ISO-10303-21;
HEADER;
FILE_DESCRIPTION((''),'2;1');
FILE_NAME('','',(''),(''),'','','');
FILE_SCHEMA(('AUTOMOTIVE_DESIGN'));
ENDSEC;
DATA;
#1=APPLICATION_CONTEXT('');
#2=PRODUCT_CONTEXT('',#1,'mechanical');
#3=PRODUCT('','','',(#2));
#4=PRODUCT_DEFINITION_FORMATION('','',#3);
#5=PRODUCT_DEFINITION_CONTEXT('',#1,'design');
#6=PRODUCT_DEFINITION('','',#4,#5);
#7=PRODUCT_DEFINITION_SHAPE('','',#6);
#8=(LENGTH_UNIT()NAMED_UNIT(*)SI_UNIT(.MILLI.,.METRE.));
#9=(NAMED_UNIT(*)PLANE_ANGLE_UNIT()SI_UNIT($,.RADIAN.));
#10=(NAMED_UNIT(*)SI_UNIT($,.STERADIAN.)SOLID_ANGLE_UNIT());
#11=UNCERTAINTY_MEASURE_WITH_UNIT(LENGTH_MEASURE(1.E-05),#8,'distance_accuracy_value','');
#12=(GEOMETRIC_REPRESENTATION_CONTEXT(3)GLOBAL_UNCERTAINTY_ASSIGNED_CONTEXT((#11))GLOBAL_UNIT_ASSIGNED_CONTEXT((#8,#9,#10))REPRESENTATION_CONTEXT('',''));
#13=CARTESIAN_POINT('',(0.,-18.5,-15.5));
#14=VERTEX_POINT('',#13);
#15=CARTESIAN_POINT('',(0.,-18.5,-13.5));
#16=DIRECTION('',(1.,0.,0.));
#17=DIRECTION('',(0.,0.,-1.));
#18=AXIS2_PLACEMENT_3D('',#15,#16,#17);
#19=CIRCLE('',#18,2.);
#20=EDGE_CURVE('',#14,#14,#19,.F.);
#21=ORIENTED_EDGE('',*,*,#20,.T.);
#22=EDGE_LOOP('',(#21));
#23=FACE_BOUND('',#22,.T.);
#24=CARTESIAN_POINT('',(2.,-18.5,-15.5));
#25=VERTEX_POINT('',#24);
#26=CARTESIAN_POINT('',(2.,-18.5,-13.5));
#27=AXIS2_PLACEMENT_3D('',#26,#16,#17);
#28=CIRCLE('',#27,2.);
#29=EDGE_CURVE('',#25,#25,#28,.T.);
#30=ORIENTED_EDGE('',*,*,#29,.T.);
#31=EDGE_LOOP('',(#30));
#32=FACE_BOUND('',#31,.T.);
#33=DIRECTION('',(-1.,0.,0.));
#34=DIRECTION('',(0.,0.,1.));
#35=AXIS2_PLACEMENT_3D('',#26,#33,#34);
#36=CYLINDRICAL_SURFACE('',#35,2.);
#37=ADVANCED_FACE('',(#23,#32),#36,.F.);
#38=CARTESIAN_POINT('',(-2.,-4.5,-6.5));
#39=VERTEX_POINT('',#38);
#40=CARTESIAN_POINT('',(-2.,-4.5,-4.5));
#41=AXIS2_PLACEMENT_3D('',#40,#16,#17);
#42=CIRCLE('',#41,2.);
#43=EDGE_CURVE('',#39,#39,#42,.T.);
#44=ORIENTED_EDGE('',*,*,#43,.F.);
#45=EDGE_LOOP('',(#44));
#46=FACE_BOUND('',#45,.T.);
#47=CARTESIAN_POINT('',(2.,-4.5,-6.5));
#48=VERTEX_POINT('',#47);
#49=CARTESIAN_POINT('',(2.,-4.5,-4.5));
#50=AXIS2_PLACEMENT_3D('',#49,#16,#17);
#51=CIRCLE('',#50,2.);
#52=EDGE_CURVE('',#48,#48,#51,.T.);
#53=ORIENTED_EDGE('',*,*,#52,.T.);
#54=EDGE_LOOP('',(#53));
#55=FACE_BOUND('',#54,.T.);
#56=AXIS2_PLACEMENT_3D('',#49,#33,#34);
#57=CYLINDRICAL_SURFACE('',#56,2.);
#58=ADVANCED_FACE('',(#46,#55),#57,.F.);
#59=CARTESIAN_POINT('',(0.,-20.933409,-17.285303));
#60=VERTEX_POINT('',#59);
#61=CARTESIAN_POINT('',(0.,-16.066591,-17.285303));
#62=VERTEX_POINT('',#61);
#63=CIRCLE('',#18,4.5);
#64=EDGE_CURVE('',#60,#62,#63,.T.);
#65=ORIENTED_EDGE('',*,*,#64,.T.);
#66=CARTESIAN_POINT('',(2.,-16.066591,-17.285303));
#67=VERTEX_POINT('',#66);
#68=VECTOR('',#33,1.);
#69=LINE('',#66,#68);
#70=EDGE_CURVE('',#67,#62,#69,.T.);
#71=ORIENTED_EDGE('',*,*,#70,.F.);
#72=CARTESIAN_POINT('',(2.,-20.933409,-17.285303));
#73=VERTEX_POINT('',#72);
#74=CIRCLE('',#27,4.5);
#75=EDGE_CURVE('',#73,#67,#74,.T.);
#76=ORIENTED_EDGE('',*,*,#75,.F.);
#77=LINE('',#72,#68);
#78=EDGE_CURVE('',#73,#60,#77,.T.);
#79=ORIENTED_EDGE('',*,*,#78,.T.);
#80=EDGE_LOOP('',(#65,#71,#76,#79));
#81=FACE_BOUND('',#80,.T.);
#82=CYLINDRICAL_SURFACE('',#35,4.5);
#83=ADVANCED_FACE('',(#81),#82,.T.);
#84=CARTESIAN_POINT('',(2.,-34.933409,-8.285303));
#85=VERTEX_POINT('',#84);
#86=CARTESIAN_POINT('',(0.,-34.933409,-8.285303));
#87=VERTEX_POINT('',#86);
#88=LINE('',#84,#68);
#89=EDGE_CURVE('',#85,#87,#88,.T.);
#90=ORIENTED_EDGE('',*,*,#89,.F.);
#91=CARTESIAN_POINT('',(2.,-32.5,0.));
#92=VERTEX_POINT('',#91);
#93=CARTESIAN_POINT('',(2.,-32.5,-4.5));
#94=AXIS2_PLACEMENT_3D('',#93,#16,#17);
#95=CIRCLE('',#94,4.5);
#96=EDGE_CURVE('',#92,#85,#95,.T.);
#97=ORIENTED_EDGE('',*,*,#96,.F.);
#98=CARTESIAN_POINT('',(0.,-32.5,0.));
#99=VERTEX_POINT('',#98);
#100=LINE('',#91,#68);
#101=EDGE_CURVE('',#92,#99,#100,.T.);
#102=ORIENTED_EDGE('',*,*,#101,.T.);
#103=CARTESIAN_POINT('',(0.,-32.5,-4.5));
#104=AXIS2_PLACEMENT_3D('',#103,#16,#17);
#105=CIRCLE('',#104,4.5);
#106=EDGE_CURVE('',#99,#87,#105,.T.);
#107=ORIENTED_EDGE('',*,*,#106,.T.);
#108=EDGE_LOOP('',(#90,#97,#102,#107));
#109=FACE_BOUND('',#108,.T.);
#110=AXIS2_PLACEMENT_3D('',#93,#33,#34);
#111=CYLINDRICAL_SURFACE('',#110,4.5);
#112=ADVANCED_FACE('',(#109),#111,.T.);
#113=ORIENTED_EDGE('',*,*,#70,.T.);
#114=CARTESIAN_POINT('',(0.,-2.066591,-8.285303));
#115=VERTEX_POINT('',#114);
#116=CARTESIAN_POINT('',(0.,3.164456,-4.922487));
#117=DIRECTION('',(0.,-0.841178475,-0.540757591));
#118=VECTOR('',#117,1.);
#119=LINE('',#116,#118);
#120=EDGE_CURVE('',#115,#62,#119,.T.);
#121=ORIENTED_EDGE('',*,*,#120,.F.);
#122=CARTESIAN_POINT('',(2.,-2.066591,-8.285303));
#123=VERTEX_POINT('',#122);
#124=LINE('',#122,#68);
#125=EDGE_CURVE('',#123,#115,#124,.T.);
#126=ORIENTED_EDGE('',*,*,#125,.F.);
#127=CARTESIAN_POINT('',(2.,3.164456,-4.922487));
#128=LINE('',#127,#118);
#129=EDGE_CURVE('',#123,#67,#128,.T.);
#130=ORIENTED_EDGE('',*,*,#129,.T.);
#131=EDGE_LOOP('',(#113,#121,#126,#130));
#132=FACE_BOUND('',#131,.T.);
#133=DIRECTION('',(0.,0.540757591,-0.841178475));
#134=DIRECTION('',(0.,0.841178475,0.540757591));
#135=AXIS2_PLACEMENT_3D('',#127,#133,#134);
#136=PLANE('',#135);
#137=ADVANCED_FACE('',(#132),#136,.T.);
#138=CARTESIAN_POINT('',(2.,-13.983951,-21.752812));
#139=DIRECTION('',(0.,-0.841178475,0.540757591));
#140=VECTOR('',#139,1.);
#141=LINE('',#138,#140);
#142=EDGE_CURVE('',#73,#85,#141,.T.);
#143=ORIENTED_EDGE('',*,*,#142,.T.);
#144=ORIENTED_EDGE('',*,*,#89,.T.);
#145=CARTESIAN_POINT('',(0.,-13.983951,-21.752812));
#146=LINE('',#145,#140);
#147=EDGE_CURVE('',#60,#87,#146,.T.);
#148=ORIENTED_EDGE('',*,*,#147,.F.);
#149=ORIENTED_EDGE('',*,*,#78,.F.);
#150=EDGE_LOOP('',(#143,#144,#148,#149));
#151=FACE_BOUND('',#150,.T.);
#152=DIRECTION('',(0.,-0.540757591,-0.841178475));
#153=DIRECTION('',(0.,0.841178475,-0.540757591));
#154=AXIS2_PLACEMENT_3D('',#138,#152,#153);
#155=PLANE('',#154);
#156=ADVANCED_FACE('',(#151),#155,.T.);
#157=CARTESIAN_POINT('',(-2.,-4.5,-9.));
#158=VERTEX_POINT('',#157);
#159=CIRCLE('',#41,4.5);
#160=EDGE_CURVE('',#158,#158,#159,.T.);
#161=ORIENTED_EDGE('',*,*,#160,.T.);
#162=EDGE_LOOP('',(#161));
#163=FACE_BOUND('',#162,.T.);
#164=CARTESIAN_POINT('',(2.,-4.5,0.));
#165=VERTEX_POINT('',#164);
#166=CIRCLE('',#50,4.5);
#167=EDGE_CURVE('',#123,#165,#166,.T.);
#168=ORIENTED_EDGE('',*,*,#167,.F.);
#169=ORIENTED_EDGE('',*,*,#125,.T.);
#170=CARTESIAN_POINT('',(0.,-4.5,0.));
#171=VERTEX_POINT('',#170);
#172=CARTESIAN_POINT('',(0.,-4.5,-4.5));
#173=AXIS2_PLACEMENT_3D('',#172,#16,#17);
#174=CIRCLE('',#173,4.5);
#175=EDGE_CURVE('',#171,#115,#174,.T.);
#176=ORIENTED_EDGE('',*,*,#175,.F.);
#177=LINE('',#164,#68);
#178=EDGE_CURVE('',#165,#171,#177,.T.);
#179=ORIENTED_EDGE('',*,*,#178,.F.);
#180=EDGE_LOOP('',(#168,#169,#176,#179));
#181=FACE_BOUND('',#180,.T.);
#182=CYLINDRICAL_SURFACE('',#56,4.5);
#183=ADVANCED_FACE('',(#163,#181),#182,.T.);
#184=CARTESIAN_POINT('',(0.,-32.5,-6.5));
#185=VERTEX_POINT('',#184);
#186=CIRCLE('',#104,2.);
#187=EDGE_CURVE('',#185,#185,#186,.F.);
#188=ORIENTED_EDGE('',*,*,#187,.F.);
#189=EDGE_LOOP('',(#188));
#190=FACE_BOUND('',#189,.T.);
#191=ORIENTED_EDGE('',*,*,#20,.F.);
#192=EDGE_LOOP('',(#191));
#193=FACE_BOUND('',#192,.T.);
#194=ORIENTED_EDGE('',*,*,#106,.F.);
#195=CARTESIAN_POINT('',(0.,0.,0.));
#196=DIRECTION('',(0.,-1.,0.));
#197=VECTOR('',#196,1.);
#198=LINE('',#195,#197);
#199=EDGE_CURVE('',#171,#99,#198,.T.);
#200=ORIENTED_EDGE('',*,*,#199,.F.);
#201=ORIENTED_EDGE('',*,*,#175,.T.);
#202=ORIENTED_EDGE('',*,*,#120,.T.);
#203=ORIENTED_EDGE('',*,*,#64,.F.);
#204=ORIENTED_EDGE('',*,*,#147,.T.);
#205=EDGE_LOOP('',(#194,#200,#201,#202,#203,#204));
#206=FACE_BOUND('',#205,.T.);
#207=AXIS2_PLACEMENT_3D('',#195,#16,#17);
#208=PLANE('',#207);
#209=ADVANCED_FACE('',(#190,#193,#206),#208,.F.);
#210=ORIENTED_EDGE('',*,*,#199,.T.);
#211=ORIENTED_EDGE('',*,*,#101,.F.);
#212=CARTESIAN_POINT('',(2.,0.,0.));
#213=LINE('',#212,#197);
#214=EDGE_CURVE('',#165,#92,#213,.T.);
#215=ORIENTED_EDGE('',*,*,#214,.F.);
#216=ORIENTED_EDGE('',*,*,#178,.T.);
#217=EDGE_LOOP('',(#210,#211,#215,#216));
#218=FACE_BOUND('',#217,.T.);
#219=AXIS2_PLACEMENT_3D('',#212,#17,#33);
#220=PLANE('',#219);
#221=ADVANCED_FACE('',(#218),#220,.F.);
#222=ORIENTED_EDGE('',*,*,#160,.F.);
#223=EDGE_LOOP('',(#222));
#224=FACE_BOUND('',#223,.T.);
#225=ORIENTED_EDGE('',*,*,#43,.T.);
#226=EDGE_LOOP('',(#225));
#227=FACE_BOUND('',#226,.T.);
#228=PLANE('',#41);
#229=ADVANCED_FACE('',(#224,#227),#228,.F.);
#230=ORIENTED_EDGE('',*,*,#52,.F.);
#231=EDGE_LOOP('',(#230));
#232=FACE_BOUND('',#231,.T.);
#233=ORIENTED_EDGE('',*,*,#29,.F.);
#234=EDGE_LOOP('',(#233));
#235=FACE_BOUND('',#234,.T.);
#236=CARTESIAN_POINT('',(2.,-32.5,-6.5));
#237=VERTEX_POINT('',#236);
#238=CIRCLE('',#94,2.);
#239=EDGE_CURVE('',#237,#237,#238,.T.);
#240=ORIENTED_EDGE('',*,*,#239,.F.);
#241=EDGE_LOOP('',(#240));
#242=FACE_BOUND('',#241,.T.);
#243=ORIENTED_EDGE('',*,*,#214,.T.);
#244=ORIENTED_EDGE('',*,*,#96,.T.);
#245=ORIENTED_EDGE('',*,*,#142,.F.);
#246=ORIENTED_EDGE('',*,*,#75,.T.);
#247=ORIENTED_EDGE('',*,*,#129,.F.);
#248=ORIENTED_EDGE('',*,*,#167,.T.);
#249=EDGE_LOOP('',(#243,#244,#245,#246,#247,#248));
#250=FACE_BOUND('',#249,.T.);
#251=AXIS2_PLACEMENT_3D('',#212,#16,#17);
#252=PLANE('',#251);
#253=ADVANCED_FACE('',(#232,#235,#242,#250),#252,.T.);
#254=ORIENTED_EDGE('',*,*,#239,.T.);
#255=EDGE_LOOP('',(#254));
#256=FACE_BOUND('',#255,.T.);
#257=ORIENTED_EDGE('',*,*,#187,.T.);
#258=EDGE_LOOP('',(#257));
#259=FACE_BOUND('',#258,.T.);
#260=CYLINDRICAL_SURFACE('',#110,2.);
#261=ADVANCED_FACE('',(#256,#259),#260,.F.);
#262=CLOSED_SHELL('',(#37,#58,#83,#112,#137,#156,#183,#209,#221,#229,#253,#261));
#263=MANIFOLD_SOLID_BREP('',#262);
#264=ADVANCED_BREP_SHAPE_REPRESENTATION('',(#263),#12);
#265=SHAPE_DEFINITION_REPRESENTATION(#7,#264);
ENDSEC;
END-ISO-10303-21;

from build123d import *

# Parameters (mm, degrees)
EXTRUDE_1_DEPTH          = 2
EXTRUDE_START            = -2
SKETCH_1_4_R             = 4.5
EXTRUDE_2_DEPTH          = 2
CUT_EXTRUDE_1_DEPTH      = 42.194659848
CUT_EXTRUDE_1_DEPTH_BACK = 42.194659848
SKETCH_1_3_R             = 2


with BuildPart() as part:
    # 草图1 → 凸台-拉伸1 (new body)
    with BuildSketch(Plane(origin=(0, 0, 0), x_dir=(0, 0, -1), z_dir=(1, 0, 0))):
        with BuildLine():
            Line((17.285303139, -16.066590839), (8.285303139, -2.066590839))
            ThreePointArc((8.285303139, -2.066590839), (3.231903814, -0.182369624), (0, -4.5))
            Line((0, -4.5), (0, -32.499999989))
            ThreePointArc((0, -32.499999989), (3.231903809, -36.817630374), (8.285303139, -34.933409161))
            Line((8.285303139, -34.933409161), (17.285303139, -20.933409161))
            ThreePointArc((17.285303139, -20.933409161), (18, -18.5), (17.285303139, -16.066590839))
        make_face()
    extrude(amount=EXTRUDE_1_DEPTH)

    # 草图1<4> → 凸台-拉伸2 (add)
    with BuildSketch(Plane(origin=(0, 0, 0), x_dir=(0, 0, -1), z_dir=(1, 0, 0)).offset(EXTRUDE_START)):
        with Locations((4.5, -4.5)):
            Circle(SKETCH_1_4_R)
    extrude(amount=EXTRUDE_2_DEPTH)

    # 草图1<3> → 切除-拉伸1 (cut, two sides: drawn at the far end of the back side and taken through both)
    with BuildSketch(Plane(origin=(0, 0, 0), x_dir=(0, 0, -1), z_dir=(1, 0, 0)).offset(-CUT_EXTRUDE_1_DEPTH_BACK)):
        with Locations((4.5, -4.5)):
            Circle(SKETCH_1_3_R)
        with Locations((13.5, -18.5)):
            Circle(SKETCH_1_3_R)
        with Locations((4.5, -32.5)):
            Circle(SKETCH_1_3_R)
    extrude(amount=CUT_EXTRUDE_1_DEPTH + CUT_EXTRUDE_1_DEPTH_BACK, mode=Mode.SUBTRACT)


solid = part.part
